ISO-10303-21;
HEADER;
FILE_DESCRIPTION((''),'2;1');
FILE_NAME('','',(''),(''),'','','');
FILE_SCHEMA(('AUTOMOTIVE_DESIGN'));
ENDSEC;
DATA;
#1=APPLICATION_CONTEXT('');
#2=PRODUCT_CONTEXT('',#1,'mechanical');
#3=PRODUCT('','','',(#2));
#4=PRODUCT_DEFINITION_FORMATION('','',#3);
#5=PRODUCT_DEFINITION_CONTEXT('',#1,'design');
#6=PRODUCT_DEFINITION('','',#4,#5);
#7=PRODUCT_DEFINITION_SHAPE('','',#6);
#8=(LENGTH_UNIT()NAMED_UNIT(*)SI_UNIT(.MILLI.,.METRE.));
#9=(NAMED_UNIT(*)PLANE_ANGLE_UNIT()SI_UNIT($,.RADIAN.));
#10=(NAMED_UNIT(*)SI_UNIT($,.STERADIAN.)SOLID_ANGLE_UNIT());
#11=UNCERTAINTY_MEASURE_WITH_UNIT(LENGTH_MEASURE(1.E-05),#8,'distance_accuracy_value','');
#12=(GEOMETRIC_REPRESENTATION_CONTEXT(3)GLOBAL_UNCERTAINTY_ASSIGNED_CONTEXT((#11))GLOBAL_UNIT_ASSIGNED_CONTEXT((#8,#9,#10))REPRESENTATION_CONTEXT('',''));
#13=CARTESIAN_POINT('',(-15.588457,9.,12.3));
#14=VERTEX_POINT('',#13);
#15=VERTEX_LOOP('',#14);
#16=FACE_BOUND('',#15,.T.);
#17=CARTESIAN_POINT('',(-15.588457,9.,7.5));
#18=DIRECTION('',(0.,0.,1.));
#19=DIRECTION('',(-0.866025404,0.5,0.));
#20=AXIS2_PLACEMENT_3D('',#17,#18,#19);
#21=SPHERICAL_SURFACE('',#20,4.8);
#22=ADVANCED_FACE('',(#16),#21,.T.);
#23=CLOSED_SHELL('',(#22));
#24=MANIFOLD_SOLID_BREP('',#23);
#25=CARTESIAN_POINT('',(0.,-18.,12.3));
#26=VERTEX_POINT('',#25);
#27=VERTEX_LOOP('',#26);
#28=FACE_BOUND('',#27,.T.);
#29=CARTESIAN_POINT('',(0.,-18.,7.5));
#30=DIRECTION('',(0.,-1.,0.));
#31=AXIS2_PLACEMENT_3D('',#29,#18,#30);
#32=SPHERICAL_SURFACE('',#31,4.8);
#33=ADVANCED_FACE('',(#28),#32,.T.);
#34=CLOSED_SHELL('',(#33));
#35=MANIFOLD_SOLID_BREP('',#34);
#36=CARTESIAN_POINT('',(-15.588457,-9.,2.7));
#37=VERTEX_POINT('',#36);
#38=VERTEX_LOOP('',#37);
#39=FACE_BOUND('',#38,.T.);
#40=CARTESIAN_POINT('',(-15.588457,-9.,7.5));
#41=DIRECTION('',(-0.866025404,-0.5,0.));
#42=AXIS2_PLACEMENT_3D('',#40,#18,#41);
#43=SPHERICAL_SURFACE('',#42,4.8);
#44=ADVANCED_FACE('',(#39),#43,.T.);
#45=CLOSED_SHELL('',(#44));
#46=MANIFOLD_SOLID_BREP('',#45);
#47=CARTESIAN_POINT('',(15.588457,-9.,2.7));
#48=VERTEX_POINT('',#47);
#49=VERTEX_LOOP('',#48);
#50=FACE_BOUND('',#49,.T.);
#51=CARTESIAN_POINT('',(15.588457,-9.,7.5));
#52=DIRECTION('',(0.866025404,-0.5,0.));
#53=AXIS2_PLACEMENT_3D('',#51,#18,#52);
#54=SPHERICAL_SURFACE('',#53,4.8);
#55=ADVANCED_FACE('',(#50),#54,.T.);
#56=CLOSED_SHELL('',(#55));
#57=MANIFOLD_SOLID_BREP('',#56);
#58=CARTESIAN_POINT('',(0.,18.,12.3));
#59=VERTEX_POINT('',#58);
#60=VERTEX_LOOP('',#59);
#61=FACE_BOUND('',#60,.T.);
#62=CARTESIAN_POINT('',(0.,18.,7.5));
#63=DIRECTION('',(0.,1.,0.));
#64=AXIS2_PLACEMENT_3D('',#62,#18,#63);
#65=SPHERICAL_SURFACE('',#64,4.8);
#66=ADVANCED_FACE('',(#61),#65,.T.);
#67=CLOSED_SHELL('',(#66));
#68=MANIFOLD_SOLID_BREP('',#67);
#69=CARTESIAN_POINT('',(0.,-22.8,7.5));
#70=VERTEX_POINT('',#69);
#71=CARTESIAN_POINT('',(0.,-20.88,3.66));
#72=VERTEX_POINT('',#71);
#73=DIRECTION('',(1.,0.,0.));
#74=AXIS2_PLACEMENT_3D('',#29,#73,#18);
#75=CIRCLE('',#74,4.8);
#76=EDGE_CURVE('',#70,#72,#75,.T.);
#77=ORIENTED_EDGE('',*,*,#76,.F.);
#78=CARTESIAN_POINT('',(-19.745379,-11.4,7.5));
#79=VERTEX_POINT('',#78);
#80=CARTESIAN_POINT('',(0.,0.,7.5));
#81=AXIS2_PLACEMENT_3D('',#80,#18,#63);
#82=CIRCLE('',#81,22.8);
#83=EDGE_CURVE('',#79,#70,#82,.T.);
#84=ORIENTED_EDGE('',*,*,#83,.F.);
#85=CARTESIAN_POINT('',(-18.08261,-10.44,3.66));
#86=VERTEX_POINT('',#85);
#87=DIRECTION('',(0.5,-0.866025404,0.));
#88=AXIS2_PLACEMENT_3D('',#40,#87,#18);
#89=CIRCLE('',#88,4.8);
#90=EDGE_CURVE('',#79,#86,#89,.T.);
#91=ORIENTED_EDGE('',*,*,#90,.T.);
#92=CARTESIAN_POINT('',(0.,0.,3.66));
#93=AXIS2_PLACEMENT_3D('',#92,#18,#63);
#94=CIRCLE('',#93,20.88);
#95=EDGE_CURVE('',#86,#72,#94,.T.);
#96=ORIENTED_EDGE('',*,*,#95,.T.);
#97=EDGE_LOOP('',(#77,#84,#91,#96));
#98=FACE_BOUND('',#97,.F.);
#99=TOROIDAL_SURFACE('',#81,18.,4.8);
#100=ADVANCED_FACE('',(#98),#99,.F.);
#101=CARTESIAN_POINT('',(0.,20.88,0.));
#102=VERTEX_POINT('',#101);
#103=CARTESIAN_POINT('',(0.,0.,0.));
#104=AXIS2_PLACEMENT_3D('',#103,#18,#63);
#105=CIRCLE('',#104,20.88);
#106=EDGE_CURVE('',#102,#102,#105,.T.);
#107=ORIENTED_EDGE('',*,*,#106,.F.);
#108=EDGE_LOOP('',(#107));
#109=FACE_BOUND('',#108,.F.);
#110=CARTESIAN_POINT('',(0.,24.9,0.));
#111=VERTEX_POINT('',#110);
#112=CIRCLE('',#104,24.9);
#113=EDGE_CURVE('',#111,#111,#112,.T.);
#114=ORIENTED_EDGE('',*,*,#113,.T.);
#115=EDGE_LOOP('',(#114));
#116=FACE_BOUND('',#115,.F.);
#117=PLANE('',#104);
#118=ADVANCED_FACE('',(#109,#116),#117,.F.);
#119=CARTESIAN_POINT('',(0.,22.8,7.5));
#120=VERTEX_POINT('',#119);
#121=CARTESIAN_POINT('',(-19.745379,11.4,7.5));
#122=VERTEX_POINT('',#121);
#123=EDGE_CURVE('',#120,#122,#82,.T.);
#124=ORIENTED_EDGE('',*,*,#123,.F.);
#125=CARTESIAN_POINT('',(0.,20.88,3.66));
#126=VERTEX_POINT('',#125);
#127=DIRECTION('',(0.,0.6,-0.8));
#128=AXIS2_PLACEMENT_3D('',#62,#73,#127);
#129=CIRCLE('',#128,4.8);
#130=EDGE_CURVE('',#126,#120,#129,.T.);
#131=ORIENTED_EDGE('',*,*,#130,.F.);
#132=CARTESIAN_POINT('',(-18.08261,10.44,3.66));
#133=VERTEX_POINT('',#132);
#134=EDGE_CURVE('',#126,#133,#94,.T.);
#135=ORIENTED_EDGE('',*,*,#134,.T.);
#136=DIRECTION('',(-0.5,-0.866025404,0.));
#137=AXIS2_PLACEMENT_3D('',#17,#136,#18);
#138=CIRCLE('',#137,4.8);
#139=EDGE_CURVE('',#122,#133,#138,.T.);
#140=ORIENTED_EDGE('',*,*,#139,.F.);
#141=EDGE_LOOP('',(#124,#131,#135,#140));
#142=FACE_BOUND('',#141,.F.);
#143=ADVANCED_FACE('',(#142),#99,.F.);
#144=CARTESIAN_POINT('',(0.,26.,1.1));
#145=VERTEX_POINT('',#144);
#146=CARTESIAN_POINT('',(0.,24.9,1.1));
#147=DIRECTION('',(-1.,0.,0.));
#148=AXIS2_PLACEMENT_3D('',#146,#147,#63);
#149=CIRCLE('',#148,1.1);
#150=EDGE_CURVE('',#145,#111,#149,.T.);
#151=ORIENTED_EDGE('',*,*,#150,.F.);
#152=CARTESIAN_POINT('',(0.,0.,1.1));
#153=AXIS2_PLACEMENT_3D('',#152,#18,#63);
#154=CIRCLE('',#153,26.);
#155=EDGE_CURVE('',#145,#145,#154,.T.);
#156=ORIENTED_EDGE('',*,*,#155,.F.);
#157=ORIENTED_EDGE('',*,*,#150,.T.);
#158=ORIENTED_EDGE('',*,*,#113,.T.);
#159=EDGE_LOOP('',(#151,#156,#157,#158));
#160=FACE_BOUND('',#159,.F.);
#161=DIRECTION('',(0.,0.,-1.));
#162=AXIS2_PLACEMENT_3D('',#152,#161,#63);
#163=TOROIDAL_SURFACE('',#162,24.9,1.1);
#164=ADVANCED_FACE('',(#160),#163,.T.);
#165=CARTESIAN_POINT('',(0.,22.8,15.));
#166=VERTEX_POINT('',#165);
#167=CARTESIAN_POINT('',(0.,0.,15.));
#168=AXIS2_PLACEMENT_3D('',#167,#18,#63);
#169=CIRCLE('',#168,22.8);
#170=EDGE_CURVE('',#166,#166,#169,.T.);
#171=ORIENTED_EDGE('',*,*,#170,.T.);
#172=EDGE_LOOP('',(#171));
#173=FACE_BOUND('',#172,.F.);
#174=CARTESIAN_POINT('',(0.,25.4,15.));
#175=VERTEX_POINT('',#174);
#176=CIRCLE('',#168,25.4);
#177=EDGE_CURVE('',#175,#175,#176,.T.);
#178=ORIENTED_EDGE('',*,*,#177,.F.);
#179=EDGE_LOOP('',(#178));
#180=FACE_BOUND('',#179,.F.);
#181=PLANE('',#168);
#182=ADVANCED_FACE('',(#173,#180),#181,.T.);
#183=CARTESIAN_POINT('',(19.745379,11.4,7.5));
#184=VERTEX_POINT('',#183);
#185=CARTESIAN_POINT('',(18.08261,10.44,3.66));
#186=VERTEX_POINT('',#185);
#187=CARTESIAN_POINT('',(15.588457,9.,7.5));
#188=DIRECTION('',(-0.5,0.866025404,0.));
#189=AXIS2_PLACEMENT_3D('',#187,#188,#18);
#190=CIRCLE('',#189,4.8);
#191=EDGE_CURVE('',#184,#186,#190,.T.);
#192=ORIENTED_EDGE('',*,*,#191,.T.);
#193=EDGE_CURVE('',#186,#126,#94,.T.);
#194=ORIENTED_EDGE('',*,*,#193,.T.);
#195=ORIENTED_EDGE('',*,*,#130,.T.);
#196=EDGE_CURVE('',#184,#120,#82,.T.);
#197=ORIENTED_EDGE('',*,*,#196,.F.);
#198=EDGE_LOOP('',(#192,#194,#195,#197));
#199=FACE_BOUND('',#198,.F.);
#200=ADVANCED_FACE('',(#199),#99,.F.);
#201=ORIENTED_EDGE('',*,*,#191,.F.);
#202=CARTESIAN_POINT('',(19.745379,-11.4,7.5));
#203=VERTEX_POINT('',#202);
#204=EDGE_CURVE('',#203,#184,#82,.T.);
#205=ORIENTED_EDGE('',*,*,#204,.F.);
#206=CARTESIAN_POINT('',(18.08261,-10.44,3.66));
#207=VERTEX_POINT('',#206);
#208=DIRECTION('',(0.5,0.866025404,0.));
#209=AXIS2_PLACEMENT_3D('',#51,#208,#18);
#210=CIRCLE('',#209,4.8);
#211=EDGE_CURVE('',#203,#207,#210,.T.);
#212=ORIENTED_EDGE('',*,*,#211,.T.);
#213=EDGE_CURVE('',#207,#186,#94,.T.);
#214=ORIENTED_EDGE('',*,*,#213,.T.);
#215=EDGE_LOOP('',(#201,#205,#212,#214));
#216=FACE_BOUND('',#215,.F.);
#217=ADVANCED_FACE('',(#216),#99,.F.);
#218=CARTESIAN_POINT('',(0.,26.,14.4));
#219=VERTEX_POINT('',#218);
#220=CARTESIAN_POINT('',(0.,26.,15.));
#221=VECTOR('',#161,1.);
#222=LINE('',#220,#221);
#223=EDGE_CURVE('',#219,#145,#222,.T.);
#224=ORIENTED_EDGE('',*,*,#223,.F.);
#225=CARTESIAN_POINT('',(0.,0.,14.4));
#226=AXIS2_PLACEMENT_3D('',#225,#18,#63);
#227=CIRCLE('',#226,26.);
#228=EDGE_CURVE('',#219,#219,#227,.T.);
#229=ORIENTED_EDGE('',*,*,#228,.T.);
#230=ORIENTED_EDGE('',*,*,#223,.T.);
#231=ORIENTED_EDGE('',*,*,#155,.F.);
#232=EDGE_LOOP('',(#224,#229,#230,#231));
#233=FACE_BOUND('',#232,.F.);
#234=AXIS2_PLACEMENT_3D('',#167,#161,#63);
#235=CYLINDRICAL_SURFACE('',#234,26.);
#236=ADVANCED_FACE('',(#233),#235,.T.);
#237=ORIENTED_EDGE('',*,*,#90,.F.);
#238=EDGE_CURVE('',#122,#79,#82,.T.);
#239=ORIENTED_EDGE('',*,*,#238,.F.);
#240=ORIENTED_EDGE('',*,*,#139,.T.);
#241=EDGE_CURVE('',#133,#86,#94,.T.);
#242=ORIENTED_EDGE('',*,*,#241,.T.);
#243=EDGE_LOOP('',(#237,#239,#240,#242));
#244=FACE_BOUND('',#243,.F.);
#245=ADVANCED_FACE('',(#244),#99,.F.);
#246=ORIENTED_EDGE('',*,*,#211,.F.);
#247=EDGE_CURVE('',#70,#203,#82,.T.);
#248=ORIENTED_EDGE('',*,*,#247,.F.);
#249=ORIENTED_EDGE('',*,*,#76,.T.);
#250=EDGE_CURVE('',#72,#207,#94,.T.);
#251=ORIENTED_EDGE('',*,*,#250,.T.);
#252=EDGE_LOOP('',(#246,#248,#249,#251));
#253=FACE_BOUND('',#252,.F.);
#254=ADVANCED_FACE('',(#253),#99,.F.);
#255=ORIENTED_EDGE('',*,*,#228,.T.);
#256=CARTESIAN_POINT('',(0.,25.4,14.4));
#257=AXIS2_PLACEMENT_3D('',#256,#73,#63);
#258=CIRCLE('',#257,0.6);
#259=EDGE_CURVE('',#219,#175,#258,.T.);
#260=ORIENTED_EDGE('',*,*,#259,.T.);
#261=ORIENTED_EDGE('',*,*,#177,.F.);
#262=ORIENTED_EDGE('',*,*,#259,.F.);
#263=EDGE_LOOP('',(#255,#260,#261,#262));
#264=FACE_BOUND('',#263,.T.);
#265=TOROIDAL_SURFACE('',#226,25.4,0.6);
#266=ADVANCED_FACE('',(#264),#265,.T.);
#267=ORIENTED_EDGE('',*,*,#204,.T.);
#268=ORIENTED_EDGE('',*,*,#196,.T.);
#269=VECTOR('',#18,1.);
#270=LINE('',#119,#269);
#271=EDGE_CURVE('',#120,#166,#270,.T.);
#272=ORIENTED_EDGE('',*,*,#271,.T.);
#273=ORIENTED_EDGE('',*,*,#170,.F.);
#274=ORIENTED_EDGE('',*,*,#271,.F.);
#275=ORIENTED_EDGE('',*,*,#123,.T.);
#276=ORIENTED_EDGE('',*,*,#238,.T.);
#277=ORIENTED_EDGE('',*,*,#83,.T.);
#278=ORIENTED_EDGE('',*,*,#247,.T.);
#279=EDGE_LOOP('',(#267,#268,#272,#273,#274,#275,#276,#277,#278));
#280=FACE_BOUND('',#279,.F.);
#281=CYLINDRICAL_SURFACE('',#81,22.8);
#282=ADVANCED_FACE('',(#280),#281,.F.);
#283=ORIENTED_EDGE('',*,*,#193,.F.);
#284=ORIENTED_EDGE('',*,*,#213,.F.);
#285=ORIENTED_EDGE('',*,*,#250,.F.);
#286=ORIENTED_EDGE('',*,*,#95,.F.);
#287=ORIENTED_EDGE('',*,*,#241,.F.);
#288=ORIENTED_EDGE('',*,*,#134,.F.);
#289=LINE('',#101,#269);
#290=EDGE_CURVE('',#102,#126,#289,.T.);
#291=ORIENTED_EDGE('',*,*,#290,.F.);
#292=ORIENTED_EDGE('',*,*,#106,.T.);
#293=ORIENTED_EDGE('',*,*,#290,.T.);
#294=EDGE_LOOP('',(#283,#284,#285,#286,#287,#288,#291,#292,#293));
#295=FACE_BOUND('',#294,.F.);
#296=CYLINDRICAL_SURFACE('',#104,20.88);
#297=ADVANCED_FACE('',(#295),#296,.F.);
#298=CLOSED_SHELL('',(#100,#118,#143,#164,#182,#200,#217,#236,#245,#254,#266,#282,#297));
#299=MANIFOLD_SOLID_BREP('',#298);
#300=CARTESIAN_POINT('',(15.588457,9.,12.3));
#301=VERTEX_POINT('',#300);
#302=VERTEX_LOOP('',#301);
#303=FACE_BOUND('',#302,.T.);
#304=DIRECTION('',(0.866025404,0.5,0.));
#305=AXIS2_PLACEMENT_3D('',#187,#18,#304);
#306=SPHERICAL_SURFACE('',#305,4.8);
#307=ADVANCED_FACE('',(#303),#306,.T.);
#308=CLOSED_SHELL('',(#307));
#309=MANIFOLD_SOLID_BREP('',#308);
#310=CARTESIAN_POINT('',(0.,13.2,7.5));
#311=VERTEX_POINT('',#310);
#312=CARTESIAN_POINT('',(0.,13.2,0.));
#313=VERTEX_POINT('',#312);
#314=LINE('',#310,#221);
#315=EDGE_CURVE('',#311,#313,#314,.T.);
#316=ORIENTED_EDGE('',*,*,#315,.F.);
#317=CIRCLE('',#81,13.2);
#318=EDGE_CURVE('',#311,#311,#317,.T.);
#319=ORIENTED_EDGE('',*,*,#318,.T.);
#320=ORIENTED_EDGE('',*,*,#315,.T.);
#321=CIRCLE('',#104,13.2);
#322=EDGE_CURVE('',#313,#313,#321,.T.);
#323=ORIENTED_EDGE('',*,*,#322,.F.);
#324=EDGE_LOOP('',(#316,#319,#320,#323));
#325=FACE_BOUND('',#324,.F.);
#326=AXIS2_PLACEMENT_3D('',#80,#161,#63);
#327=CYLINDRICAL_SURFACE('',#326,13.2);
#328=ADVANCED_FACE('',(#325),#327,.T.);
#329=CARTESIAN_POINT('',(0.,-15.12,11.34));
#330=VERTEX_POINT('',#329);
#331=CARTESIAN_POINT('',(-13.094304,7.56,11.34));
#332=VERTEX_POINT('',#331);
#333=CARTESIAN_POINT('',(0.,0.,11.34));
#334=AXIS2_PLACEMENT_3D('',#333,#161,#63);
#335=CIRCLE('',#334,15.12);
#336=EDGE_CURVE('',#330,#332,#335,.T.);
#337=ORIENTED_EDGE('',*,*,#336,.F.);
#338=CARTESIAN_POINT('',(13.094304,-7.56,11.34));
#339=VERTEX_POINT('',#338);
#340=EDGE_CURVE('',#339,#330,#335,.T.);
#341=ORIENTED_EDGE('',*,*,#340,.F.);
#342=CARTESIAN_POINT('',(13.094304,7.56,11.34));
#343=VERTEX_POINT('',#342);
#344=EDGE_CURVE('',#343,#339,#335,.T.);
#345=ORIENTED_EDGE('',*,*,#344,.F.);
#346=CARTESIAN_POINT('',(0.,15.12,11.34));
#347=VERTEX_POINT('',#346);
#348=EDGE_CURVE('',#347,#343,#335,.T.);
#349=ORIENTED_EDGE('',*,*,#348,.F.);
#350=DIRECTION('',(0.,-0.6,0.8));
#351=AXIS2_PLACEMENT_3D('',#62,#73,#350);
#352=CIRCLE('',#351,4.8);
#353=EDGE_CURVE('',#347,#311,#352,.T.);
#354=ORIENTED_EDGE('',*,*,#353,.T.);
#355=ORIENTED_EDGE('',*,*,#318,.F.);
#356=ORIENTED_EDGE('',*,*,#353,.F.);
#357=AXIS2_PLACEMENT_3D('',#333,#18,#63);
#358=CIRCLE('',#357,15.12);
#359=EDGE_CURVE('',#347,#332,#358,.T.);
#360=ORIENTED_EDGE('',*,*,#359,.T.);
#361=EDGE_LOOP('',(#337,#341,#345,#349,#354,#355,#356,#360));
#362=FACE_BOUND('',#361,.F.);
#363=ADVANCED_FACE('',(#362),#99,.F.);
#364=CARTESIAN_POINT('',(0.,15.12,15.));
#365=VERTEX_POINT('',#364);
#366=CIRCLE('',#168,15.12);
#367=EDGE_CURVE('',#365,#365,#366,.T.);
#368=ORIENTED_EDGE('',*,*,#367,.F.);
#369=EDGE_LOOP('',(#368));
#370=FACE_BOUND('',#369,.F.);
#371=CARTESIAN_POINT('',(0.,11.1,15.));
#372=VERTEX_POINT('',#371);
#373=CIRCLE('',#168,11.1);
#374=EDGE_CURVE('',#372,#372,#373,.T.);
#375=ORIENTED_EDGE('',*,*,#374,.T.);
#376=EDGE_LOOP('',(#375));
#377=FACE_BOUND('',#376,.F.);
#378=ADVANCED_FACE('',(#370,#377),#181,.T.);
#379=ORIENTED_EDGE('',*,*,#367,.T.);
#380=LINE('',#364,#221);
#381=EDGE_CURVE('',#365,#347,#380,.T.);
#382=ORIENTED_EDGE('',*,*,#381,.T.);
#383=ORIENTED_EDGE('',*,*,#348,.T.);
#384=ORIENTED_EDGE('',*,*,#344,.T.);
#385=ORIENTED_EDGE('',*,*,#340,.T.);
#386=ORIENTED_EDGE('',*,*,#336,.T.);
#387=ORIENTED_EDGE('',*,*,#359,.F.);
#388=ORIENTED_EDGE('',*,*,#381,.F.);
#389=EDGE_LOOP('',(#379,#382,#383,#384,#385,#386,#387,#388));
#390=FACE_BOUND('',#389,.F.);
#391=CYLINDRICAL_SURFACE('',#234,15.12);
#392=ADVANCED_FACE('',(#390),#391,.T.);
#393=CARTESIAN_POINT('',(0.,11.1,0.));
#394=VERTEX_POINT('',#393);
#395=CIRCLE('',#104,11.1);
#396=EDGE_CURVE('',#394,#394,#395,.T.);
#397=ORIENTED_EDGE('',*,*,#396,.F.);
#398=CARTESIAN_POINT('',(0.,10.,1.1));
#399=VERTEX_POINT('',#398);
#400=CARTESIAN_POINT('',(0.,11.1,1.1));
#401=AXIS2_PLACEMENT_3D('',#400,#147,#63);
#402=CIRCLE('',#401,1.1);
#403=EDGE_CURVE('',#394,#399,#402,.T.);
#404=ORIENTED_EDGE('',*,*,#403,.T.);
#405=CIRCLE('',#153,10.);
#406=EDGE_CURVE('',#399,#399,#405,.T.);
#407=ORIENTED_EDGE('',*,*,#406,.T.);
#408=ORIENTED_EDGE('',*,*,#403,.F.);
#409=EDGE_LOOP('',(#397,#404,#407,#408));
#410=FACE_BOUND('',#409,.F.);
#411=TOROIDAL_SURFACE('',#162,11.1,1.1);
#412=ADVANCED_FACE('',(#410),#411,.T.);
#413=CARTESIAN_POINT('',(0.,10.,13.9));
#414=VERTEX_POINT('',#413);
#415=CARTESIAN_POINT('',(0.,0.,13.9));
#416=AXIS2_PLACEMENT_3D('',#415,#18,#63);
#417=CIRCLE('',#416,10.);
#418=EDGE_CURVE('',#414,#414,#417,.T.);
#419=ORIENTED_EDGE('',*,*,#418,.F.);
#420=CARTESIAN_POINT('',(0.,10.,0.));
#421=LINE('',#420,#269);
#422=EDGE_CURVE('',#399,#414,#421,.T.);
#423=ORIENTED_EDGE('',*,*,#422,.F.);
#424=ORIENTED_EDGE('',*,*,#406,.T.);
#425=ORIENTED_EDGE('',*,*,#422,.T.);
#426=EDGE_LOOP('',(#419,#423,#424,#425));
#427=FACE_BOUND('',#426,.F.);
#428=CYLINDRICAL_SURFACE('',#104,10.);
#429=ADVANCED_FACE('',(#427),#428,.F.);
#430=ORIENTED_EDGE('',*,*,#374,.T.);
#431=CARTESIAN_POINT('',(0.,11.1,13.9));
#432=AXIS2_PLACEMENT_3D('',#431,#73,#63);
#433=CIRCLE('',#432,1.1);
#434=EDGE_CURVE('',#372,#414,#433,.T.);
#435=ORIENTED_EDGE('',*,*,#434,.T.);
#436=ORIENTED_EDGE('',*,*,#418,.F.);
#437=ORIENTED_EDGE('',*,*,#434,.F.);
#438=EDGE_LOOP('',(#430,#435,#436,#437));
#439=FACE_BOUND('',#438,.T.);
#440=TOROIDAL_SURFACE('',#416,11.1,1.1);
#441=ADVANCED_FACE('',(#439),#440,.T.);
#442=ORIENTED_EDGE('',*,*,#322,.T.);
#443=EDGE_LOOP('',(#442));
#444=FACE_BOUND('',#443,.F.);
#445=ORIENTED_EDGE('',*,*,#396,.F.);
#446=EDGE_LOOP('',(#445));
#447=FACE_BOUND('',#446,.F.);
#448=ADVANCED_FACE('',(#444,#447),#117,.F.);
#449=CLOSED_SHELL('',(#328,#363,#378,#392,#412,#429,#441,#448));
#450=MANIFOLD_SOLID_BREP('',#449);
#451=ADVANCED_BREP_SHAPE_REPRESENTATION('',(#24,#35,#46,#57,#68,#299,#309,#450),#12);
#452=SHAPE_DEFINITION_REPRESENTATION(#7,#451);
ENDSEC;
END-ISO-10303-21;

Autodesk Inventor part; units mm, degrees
ref_plane "WorkPlane1" through (0, 0, 0) normal (0, 0, 1) x (1, 0, 0)
ref_plane "Work Plane2" through (0, 0, -15) normal (0, 0, 1) x (1, 0, 0)
ref_plane "WorkPlane2" through (0, 0, 14) normal (0, 0, 1) x (1, 0, 0)
sketch "Sketch1" plane through (0, 0, 0) normal (-1, 0, 0) x (0, -1, 0)
  point P0 (0, 0)
sketch "Sketch2" plane through (0, 0, 0) normal (0, 0, 1) x (1, 0, 0)
  point P0 (0, 0)
sketch "Sketch3" plane through (0, 0, 14) normal (0, 0, 1) x (1, 0, 0)
  point P0 (0, 0)
sketch "Sketch4" plane through (0, 0, 0) normal (1, 0, 0) x (0, 1, 0)
  line L0 (26, 0) -> (10, 0)
  line L1 (26, 15) -> (26, 0)
  line L2 (10, 15) -> (26, 15)
  line L3 (10, 0) -> (10, 15)
  line L4 (0, -3.737) -> (0, 15.9311) construction
  line L5 (0, -3.737) -> (0, 15.9311)
  line L6 (0, -7.6706) -> (0, 19.8647) projected
  line L7 (-4.7, 0) -> (28.2, 0) projected
  dimension "d2" = 10
  dimension "d4" = 26
  dimension "d6" = 15
revolve "Revolution1" add sketch "Sketch4" angle 360 about axis through (0, 0, -3.737) along (0, 0, 1)
sketch "Sketch5" plane through (0, 0, 0) normal (1, 0, 0) x (0, 1, 0)
  line L0 (22.8, 15) -> (15.12, 15)
  line L1 (22.8, 7.5) -> (22.8, 15)
  arc A0 (20.88, 3.66) -> (22.8, 7.5) centre (18, 7.5) ccw
  line L2 (20.88, 0) -> (20.88, 3.66)
  line L3 (13.2, 0) -> (20.88, 0)
  line L4 (13.2, 7.5) -> (13.2, 0)
  arc A1 (15.12, 11.34) -> (13.2, 7.5) centre (18, 7.5) ccw
  line L5 (15.12, 15) -> (15.12, 11.34)
  circle A2 centre (18, 7.5) radius 4.8 construction
  line L6 (26, 0) -> (-26, 0) construction
  line L7 (26, 15) -> (-26, 15) construction
  line L8 (0, 40.9632) -> (0, -26.9632)
  line L9 (0, -40.5485) -> (0, 54.5485) projected
  dimension "d9" = 7.5
  dimension "d11" = 9.6
  dimension "d21" = 36
  dimension "d22" = 30.24
  dimension "d23" = 41.76
revolve "Revolution2" cut sketch "Sketch5" angle 360 about axis through (0, 0, 40.9632) along (0, 0, 1)
sketch "Sketch6" plane through (0, 0, 0) normal (1, 0, 0) x (0, 1, 0)
  line L0 (18, 2.7) -> (18, 12.3)
  arc A0 (18, 2.7) -> (18, 12.3) centre (18, 7.5) ccw
  line L1 (18, 15.6754) -> (18, -0.5126) construction
  line L2 (26, 0) -> (-26, 0) construction
  line L3 (18, 15.6754) -> (18, -0.5126)
  arc A1 (15.12, 11.34) -> (13.2, 7.5) centre (18, 7.5) ccw projected
  line L4 (22.8, 7.5) -> (-22.8, 7.5) projected
  dimension "d14" = 4.8
revolve "Revolution3" add sketch "Sketch6" angle 360 about axis through (0, 18, 15.6754) along (0, 0, 1)
pattern_circular "PolarArray1" count 6 over 360 about axis through (0, 0, 0) along (0, 0, 1) of "Revolution3"
fillet "Fillet1" radius 0.6 1 edges at (0, -26, 15)
fillet "Fillet2" radius 1.1 3 edges at (0, -26, 0) (0, -10, 15) (0, -10, 0)
equation "\"d19\" = r1"
equation "\"d20\" = r"
equation "\"d2\" = 0.5 * Diam"
equation "\"d4\" = 0.5 * DD"
equation "\"d6\" = B"
equation "\"d9\" = 0.5 * B"
equation "\"d11\" = msp_mdtdk"
equation "\"d21\" = msp_mdtds"
equation "\"d22\" = msp_md"
equation "\"d23\" = msp_vd"
equation "\"d14\" = 0.5 * msp_mdtdk"
equation "\"DD\" = 52"
equation "\"B\" = 15"
equation "\"r\" = 1.1"
equation "\"msp_mdtdk\" = -0.3 * Diam + 0.3 * DD"
equation "\"msp_mdtds\" = 0.5 * DD + 0.5 * Diam"
equation "\"msp_md\" = msp_mdtds - 0.6 * msp_mdtdk"
equation "\"msp_vd\" = msp_mdtds + 0.6 * msp_mdtdk"
equation "\"r1\" = 0.6"
equation "\"Diam\" = 20"
properties part number "SKF B7304 BE" material "Steel, Mild"
